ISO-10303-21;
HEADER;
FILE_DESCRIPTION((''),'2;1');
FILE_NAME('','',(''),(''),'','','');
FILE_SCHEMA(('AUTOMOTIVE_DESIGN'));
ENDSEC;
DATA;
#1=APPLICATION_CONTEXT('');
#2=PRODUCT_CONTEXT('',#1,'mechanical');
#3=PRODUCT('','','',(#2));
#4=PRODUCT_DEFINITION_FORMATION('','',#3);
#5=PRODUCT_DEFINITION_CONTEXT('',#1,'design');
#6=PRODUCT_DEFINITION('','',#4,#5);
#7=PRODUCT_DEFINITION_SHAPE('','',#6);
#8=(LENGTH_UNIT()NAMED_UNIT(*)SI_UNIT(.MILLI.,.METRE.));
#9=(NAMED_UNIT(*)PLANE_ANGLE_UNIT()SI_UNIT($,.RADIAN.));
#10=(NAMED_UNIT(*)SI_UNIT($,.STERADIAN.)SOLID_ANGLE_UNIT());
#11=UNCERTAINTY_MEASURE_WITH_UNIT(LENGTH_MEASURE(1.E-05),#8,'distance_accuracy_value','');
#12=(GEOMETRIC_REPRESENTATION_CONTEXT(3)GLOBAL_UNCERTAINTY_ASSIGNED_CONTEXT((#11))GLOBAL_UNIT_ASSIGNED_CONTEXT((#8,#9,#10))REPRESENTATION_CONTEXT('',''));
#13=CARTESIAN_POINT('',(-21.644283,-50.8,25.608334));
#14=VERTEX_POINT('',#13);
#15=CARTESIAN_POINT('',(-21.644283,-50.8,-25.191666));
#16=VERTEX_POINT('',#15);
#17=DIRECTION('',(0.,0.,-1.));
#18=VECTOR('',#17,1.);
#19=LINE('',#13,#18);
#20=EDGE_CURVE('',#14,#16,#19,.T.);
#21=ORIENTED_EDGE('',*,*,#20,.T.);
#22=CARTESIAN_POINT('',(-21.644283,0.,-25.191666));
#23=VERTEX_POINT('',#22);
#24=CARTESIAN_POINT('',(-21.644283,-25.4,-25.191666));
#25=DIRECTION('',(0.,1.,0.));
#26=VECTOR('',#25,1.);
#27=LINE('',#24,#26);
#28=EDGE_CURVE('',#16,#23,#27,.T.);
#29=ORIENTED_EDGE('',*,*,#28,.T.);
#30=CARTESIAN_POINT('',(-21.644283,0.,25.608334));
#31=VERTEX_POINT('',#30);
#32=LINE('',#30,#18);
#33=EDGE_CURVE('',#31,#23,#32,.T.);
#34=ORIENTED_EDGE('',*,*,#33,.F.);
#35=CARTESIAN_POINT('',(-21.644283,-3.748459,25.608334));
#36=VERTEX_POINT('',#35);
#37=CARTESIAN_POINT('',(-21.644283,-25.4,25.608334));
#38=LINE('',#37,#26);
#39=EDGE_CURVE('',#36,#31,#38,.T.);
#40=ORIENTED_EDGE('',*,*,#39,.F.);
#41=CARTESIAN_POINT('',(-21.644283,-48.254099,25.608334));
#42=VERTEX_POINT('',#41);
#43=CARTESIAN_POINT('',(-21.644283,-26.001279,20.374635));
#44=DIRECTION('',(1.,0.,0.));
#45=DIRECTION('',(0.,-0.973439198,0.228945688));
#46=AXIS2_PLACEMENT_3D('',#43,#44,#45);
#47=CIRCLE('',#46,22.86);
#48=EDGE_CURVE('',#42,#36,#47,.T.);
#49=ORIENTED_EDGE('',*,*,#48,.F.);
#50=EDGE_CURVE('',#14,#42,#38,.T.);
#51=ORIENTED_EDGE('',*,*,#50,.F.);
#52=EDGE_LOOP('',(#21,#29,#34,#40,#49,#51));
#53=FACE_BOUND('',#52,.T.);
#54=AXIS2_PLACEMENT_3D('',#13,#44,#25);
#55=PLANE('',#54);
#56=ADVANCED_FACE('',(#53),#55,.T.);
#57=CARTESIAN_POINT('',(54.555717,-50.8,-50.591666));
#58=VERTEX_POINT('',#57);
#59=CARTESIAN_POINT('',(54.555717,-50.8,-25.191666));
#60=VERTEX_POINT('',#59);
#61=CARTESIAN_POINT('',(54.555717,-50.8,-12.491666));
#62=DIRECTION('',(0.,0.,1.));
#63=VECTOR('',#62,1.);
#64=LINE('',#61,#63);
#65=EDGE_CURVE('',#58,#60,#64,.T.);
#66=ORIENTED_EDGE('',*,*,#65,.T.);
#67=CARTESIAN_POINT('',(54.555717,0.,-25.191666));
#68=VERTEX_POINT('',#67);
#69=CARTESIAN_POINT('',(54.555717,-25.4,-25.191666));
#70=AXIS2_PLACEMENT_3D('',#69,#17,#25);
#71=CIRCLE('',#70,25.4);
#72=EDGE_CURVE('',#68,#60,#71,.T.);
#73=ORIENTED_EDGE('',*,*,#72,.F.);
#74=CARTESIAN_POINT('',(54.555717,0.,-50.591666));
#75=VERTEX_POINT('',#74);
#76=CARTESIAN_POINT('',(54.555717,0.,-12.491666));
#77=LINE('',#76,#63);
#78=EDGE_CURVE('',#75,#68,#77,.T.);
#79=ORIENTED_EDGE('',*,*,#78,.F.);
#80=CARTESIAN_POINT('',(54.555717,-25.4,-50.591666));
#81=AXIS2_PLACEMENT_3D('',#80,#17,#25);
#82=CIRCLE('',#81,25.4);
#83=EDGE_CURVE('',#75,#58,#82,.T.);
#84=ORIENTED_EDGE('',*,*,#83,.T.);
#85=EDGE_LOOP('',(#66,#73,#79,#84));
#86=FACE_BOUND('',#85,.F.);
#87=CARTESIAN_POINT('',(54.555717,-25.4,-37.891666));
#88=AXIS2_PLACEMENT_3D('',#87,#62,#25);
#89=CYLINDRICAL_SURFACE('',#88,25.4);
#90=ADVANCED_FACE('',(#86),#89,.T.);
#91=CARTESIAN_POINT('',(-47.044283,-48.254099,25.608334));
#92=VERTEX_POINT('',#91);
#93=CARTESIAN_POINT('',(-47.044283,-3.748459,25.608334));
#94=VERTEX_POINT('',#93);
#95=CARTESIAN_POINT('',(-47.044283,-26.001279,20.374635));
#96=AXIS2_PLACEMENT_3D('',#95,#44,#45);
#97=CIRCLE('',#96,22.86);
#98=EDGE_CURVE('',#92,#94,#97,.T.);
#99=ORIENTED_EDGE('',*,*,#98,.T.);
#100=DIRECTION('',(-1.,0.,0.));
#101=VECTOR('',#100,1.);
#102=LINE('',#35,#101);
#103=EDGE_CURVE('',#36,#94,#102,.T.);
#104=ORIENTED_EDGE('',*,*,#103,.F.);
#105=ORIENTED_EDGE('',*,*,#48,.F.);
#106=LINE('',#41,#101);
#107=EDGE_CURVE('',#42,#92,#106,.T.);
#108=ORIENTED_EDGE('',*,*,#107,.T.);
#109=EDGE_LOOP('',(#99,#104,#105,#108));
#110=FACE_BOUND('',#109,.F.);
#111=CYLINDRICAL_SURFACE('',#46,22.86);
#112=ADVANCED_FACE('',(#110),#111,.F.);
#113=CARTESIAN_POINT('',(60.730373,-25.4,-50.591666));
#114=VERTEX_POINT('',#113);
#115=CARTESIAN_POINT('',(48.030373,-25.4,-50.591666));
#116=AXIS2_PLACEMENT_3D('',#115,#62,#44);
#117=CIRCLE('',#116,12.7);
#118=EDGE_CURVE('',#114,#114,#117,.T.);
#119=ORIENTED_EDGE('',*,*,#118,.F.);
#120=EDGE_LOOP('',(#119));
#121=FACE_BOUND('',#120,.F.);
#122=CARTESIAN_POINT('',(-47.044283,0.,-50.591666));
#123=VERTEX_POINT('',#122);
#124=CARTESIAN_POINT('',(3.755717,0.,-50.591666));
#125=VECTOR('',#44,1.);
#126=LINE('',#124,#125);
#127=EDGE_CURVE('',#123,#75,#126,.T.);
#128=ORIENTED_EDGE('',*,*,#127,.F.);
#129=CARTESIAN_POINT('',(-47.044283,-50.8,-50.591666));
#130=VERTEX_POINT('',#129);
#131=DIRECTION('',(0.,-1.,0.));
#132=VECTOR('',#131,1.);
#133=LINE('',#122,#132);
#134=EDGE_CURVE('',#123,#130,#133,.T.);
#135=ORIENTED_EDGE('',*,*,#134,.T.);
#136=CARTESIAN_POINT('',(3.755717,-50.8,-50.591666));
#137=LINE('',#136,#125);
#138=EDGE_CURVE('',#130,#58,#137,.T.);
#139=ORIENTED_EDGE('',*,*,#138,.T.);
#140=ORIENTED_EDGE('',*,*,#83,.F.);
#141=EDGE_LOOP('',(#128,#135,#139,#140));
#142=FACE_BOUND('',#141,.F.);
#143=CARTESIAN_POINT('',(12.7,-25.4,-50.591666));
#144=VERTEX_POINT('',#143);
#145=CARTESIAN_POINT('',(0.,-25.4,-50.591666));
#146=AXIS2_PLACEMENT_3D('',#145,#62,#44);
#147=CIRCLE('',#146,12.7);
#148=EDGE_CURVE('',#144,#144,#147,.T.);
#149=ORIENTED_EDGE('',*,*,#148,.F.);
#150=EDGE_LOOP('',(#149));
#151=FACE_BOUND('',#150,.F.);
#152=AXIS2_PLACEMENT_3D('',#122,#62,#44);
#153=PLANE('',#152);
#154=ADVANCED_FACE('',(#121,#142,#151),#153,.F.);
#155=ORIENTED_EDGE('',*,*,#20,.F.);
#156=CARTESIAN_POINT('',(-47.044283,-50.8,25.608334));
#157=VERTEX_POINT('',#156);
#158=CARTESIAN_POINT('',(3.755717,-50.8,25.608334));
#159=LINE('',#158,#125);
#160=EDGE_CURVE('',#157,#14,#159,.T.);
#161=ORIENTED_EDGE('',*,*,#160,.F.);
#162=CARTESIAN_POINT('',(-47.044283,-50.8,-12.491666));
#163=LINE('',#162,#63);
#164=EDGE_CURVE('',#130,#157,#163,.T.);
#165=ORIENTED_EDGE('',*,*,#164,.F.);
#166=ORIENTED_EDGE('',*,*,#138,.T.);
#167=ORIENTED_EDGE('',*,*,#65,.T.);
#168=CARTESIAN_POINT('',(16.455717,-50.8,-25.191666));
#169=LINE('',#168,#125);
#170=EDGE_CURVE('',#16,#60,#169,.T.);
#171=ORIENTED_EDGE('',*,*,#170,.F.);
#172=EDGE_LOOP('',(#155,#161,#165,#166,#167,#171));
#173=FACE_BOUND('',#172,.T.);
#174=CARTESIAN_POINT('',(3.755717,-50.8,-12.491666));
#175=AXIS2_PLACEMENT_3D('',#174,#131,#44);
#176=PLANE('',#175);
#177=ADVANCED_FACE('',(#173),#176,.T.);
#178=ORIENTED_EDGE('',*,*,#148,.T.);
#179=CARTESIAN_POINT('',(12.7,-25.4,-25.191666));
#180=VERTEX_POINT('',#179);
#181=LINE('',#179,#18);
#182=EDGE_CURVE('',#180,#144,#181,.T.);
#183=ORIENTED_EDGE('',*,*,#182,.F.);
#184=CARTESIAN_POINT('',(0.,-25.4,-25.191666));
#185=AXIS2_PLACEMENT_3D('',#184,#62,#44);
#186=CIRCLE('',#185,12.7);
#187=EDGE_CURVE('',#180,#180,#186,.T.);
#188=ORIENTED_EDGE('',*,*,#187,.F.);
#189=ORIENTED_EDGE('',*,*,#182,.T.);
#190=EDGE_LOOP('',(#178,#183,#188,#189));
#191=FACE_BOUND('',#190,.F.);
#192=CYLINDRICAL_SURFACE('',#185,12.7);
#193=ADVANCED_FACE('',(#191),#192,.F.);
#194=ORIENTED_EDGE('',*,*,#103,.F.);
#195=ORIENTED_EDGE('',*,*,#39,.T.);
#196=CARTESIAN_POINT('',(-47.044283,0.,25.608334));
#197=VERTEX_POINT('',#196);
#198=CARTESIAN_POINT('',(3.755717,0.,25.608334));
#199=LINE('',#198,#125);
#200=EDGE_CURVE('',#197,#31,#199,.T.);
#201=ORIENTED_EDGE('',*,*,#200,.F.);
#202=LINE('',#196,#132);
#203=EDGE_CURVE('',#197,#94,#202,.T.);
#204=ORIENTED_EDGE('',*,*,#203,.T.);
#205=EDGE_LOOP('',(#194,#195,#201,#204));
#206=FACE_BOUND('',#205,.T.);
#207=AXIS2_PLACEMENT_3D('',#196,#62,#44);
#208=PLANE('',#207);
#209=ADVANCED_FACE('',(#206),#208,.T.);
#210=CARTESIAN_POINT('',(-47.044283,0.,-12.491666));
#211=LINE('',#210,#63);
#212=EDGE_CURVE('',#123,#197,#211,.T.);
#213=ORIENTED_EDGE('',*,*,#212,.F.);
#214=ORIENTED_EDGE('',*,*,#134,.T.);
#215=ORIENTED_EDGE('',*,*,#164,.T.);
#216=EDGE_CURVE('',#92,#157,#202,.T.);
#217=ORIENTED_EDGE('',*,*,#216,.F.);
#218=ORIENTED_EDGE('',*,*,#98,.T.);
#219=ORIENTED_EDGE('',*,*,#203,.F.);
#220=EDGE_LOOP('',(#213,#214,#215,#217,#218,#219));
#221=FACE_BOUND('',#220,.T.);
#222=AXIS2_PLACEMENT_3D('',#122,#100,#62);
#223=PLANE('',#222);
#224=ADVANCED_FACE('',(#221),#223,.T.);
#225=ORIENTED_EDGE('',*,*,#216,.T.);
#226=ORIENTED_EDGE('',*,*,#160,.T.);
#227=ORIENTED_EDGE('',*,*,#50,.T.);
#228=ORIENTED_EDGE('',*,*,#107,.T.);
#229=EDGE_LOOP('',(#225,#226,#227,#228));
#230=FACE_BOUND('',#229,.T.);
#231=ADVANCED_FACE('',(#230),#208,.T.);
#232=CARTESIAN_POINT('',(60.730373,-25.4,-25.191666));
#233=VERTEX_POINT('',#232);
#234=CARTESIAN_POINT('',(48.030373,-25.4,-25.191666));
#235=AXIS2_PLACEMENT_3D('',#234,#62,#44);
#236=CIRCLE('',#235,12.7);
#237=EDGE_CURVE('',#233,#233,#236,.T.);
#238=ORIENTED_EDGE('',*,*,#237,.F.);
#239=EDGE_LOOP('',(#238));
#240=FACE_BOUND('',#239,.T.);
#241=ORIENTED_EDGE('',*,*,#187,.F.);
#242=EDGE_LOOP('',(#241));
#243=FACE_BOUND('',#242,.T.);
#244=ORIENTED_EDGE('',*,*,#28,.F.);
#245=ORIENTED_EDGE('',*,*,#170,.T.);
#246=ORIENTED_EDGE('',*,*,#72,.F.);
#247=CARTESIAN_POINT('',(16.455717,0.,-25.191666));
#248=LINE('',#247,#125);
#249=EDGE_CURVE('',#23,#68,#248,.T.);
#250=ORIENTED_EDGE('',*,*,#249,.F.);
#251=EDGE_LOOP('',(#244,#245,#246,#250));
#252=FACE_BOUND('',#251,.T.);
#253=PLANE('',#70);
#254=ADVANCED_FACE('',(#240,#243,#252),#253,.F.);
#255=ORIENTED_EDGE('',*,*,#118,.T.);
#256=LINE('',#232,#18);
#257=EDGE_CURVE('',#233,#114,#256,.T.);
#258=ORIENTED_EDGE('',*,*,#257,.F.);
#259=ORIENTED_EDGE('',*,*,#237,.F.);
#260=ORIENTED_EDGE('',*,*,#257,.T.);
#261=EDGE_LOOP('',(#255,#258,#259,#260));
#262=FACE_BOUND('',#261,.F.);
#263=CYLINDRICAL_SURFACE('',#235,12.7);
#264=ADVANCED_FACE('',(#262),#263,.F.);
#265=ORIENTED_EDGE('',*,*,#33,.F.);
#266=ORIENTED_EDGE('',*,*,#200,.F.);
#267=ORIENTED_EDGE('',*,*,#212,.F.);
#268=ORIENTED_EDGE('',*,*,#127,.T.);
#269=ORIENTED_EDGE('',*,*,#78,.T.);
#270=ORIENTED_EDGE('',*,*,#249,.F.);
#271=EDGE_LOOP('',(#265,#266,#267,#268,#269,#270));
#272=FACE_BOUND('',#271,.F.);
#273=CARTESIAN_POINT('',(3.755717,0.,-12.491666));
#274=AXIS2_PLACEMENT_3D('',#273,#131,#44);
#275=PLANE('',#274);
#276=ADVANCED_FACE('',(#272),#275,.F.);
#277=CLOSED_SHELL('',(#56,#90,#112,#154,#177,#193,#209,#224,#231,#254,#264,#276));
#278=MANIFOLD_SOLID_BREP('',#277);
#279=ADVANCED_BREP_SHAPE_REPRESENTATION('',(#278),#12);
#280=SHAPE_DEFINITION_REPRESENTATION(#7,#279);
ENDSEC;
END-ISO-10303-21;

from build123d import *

# Parameters (mm, degrees)
F0_W     = 101.6
F0_H     = 76.2
F1_DEPTH = 50.8
F2_W     = 76.2
F2_H     = 50.8
F3_DEPTH = 50.8
F4_W     = 25.4
F4_H     = 25.4
F6_R     = 12.7
F7_DEPTH = 101.6
F9_DEPTH = 101.6


with BuildPart() as f1:
    # F0 (on Front) → F1 (new body)
    with BuildSketch(Plane.XZ):
        with Locations((3.755716607, -12.4916662514)):
            Rectangle(F0_W, F0_H)
    extrude(amount=F1_DEPTH)

    # F2 (on face) → F3 (cut)
    with BuildSketch(Plane.XY.offset(25.6083337486)):
        with Locations((16.455716607, -25.4)):
            Rectangle(F2_W, F2_H)
    extrude(amount=-F3_DEPTH, mode=Mode.SUBTRACT)

    # F4 (on face) → F5 (revolve)
    with BuildSketch(Plane.YZ.offset(54.555716607)):
        with Locations((-12.7, -37.8916662514)):
            Rectangle(F4_W, F4_H)
    revolve(axis=Axis((54.555716607, -25.4, -37.8916662514), (0, 0, -1)))

    # F6 (on face) → F7 (cut)
    with BuildSketch(Plane.XY.offset(-25.1916662514)):
        with Locations((0, -25.4)):
            Circle(F6_R)
        with Locations((48.030372709, -25.4)):
            Circle(F6_R)
    extrude(amount=-F7_DEPTH, mode=Mode.SUBTRACT)

    # F8 (on face) → F9 (cut)
    with BuildSketch(Plane.YZ.offset(-21.644283393)):
        with BuildLine():
            Line((-3.748458612, 25.6083337486), (-48.2540987432, 25.6083337486))
            ThreePointArc((-48.2540987432, 25.6083337486), (-26.0012786776, -2.4853646692), (-3.748458612, 25.6083337486))
        make_face()
    extrude(amount=-F9_DEPTH, mode=Mode.SUBTRACT)


solid = f1.part
